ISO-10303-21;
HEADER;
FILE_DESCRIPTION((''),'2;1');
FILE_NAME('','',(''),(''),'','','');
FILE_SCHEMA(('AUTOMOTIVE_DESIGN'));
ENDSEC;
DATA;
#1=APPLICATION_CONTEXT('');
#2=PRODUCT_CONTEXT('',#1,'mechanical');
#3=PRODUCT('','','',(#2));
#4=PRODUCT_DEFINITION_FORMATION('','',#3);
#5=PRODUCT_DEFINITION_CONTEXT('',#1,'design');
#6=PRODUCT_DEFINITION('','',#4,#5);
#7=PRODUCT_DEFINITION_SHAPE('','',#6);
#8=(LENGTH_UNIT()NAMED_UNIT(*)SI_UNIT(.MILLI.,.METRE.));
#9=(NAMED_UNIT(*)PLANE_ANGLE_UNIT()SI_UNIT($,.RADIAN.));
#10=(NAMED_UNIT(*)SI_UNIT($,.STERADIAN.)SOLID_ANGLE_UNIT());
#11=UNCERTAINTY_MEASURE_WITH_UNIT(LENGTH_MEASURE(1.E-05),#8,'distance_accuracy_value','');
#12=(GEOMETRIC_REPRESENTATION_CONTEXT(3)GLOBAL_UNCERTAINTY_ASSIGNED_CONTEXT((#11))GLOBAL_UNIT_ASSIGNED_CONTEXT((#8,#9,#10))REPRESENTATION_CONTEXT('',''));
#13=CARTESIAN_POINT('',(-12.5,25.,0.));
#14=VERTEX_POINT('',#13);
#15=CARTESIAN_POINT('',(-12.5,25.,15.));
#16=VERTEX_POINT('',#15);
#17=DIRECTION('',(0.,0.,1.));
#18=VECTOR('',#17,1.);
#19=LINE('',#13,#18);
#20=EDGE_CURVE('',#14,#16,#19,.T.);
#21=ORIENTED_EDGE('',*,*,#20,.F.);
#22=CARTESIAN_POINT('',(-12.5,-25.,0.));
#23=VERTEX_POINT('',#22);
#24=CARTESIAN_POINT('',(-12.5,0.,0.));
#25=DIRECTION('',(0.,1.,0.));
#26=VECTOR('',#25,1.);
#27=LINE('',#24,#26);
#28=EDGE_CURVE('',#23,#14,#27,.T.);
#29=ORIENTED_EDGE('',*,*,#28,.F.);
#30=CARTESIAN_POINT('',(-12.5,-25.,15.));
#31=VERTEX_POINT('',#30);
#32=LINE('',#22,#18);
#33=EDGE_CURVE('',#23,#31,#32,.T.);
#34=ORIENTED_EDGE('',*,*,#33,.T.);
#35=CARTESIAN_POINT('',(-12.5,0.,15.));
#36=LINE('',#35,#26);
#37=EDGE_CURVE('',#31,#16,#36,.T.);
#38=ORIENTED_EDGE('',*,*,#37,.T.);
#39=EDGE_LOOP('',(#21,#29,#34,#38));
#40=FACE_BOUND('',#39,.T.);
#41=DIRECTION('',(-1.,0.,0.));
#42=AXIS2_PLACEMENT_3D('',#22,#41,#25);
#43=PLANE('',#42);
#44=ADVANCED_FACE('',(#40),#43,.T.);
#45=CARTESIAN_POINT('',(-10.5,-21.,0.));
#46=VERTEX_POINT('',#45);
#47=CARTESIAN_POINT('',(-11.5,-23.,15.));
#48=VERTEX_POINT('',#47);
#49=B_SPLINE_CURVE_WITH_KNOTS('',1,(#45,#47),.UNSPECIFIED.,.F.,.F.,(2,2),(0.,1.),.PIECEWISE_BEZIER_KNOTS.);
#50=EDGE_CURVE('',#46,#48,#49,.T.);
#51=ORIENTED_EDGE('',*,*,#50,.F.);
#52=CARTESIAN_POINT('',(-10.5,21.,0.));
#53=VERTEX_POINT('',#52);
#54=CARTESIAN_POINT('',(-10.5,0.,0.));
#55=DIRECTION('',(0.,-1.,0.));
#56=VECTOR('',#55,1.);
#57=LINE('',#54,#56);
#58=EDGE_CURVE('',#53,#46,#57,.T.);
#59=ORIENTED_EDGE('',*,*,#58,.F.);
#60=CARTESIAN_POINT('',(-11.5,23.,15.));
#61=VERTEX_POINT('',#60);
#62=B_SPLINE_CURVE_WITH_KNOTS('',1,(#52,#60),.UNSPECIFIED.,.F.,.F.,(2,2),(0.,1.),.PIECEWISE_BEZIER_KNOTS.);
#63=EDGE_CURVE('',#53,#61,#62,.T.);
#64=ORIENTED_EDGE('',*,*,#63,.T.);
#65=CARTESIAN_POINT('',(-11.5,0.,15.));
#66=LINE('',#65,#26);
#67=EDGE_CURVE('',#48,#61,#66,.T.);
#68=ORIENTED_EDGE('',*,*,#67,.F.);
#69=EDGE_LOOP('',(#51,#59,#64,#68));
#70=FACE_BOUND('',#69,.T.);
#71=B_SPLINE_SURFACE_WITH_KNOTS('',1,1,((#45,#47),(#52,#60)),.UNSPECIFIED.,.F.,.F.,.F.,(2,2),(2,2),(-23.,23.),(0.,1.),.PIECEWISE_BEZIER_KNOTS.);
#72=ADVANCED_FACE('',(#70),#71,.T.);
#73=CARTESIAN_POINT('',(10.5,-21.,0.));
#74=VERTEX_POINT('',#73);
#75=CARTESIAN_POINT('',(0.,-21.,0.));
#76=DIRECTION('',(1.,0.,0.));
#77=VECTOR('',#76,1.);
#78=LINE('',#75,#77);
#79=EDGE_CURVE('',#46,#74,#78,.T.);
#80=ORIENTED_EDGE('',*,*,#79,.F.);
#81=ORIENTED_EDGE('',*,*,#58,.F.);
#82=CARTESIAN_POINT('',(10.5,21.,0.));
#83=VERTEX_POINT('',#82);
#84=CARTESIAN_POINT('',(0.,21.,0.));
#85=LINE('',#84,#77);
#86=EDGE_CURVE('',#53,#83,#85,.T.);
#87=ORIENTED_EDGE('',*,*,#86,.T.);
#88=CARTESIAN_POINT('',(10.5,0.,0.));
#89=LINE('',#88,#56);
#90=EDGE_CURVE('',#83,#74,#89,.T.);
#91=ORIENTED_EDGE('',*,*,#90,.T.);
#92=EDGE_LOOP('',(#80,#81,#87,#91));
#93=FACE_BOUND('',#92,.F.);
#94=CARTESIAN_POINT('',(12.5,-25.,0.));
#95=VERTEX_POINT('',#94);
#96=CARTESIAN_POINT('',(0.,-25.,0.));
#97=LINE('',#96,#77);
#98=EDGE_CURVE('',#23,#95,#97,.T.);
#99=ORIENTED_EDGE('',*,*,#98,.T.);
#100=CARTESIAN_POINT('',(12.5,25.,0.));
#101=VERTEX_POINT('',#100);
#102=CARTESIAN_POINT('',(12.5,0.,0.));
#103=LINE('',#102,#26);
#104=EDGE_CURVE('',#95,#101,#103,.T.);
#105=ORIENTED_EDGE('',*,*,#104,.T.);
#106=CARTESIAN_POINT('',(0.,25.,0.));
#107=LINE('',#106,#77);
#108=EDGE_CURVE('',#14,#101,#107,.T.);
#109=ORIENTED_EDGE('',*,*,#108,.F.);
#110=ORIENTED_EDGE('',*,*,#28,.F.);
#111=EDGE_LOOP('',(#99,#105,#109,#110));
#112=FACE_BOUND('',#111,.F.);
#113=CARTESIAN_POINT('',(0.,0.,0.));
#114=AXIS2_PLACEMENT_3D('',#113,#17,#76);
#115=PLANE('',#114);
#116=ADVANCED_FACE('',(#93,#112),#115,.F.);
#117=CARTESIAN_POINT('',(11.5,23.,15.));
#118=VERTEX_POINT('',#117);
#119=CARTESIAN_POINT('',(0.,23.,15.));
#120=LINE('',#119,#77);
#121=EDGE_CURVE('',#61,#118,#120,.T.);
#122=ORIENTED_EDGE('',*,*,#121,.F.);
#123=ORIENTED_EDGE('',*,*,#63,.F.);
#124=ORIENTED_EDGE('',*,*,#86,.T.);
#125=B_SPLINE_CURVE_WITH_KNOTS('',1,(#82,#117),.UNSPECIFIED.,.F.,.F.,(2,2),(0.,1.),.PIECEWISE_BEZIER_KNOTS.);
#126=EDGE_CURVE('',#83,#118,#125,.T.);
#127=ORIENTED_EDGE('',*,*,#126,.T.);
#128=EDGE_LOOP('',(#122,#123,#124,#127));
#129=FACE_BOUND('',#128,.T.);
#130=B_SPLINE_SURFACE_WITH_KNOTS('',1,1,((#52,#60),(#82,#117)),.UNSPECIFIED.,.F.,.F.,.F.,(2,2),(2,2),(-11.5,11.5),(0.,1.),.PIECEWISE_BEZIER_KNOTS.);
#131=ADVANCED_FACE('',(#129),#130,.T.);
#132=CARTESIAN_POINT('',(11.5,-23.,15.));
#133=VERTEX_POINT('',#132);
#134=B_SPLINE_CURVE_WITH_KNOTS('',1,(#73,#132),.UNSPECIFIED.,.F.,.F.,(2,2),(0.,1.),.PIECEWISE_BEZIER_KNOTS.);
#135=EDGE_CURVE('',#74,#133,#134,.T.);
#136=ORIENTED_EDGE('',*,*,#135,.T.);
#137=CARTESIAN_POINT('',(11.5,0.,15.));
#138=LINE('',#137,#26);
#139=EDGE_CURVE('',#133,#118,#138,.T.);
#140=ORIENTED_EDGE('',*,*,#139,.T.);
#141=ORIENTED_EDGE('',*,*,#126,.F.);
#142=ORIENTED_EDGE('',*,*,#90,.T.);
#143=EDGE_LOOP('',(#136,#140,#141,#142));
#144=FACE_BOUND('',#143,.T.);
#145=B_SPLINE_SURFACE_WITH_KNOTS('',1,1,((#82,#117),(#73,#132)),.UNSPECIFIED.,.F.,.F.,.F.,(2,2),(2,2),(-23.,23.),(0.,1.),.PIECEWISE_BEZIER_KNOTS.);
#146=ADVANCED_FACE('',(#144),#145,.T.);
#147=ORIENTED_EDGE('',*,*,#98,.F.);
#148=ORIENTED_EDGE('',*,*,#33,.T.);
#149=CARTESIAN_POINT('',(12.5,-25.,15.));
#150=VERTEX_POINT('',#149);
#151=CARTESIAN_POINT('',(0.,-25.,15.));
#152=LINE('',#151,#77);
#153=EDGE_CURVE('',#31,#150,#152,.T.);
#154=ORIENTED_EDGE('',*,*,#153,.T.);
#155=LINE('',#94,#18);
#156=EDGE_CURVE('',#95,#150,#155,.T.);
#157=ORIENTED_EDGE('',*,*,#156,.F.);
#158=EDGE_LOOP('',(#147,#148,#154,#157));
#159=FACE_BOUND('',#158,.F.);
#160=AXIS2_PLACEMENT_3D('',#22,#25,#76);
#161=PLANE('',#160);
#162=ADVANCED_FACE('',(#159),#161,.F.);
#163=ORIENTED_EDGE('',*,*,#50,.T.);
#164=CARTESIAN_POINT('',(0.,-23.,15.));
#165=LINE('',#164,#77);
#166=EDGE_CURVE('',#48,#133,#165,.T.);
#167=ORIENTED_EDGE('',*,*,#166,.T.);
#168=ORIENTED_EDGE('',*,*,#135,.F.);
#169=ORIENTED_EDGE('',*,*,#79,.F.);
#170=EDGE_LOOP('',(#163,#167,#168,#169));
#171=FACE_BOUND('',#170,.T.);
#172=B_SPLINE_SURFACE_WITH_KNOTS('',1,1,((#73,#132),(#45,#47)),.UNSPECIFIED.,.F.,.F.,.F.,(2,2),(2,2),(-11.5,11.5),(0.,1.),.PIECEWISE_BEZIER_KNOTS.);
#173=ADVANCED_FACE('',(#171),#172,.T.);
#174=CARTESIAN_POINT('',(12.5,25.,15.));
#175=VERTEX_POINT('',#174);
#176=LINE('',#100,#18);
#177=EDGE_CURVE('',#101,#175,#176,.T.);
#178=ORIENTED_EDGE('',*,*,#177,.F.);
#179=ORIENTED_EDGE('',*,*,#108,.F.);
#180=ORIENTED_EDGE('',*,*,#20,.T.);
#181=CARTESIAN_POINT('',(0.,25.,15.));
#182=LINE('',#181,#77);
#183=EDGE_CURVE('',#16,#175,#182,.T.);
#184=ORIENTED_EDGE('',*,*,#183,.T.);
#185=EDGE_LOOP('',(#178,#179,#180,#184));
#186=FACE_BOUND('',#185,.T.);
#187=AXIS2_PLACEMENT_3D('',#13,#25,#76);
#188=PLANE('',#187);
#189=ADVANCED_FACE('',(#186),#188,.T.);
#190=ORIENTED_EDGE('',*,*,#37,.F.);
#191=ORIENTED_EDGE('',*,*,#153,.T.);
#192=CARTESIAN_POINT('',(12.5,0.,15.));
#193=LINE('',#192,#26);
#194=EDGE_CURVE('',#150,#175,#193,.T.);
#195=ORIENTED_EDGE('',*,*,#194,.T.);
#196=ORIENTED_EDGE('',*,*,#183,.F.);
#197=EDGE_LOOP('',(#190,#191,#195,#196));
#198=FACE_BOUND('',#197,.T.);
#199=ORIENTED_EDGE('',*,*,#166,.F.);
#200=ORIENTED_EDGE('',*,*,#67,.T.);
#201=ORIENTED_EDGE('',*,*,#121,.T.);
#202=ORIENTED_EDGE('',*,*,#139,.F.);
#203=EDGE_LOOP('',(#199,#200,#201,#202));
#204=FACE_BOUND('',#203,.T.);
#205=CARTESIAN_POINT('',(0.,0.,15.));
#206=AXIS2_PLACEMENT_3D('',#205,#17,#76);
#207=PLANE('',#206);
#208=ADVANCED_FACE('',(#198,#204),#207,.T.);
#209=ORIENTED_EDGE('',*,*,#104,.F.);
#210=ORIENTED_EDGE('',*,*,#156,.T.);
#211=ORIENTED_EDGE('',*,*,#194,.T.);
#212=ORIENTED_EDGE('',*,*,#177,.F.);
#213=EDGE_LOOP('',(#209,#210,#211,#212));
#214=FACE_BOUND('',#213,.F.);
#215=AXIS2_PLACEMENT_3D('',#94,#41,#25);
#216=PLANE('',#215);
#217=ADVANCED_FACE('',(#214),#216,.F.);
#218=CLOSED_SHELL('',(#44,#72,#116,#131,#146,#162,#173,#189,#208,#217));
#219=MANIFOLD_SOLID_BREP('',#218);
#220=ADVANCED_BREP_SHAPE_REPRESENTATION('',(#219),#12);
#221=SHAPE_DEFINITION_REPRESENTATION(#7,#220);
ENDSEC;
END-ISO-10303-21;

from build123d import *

# Parameters (mm, degrees)
SKETCH_W    = 25
SKETCH_H    = 50
PAD_DEPTH   = 15
SKETCH002_W = 21
SKETCH002_H = 42
SKETCH001_W = 23
SKETCH001_H = 46


with BuildPart() as part:
    # Sketch → Pad (new body)
    with BuildSketch(Plane.XY):
        Rectangle(SKETCH_W, SKETCH_H)
    extrude(amount=PAD_DEPTH)

    # Sketch002 (on Face5 of Pad) → SubtractiveLoft section 0
    with BuildSketch(Plane(origin=(0, 0, 0), x_dir=(1, 0, 0), z_dir=(0, 0, -1))):
        Rectangle(SKETCH002_W, SKETCH002_H)
    # Sketch001 (on Face6 of Pad) → SubtractiveLoft section 1
    with BuildSketch(Plane.XY.offset(15)):
        Rectangle(SKETCH001_W, SKETCH001_H)
    loft(mode=Mode.SUBTRACT)


solid = part.part
